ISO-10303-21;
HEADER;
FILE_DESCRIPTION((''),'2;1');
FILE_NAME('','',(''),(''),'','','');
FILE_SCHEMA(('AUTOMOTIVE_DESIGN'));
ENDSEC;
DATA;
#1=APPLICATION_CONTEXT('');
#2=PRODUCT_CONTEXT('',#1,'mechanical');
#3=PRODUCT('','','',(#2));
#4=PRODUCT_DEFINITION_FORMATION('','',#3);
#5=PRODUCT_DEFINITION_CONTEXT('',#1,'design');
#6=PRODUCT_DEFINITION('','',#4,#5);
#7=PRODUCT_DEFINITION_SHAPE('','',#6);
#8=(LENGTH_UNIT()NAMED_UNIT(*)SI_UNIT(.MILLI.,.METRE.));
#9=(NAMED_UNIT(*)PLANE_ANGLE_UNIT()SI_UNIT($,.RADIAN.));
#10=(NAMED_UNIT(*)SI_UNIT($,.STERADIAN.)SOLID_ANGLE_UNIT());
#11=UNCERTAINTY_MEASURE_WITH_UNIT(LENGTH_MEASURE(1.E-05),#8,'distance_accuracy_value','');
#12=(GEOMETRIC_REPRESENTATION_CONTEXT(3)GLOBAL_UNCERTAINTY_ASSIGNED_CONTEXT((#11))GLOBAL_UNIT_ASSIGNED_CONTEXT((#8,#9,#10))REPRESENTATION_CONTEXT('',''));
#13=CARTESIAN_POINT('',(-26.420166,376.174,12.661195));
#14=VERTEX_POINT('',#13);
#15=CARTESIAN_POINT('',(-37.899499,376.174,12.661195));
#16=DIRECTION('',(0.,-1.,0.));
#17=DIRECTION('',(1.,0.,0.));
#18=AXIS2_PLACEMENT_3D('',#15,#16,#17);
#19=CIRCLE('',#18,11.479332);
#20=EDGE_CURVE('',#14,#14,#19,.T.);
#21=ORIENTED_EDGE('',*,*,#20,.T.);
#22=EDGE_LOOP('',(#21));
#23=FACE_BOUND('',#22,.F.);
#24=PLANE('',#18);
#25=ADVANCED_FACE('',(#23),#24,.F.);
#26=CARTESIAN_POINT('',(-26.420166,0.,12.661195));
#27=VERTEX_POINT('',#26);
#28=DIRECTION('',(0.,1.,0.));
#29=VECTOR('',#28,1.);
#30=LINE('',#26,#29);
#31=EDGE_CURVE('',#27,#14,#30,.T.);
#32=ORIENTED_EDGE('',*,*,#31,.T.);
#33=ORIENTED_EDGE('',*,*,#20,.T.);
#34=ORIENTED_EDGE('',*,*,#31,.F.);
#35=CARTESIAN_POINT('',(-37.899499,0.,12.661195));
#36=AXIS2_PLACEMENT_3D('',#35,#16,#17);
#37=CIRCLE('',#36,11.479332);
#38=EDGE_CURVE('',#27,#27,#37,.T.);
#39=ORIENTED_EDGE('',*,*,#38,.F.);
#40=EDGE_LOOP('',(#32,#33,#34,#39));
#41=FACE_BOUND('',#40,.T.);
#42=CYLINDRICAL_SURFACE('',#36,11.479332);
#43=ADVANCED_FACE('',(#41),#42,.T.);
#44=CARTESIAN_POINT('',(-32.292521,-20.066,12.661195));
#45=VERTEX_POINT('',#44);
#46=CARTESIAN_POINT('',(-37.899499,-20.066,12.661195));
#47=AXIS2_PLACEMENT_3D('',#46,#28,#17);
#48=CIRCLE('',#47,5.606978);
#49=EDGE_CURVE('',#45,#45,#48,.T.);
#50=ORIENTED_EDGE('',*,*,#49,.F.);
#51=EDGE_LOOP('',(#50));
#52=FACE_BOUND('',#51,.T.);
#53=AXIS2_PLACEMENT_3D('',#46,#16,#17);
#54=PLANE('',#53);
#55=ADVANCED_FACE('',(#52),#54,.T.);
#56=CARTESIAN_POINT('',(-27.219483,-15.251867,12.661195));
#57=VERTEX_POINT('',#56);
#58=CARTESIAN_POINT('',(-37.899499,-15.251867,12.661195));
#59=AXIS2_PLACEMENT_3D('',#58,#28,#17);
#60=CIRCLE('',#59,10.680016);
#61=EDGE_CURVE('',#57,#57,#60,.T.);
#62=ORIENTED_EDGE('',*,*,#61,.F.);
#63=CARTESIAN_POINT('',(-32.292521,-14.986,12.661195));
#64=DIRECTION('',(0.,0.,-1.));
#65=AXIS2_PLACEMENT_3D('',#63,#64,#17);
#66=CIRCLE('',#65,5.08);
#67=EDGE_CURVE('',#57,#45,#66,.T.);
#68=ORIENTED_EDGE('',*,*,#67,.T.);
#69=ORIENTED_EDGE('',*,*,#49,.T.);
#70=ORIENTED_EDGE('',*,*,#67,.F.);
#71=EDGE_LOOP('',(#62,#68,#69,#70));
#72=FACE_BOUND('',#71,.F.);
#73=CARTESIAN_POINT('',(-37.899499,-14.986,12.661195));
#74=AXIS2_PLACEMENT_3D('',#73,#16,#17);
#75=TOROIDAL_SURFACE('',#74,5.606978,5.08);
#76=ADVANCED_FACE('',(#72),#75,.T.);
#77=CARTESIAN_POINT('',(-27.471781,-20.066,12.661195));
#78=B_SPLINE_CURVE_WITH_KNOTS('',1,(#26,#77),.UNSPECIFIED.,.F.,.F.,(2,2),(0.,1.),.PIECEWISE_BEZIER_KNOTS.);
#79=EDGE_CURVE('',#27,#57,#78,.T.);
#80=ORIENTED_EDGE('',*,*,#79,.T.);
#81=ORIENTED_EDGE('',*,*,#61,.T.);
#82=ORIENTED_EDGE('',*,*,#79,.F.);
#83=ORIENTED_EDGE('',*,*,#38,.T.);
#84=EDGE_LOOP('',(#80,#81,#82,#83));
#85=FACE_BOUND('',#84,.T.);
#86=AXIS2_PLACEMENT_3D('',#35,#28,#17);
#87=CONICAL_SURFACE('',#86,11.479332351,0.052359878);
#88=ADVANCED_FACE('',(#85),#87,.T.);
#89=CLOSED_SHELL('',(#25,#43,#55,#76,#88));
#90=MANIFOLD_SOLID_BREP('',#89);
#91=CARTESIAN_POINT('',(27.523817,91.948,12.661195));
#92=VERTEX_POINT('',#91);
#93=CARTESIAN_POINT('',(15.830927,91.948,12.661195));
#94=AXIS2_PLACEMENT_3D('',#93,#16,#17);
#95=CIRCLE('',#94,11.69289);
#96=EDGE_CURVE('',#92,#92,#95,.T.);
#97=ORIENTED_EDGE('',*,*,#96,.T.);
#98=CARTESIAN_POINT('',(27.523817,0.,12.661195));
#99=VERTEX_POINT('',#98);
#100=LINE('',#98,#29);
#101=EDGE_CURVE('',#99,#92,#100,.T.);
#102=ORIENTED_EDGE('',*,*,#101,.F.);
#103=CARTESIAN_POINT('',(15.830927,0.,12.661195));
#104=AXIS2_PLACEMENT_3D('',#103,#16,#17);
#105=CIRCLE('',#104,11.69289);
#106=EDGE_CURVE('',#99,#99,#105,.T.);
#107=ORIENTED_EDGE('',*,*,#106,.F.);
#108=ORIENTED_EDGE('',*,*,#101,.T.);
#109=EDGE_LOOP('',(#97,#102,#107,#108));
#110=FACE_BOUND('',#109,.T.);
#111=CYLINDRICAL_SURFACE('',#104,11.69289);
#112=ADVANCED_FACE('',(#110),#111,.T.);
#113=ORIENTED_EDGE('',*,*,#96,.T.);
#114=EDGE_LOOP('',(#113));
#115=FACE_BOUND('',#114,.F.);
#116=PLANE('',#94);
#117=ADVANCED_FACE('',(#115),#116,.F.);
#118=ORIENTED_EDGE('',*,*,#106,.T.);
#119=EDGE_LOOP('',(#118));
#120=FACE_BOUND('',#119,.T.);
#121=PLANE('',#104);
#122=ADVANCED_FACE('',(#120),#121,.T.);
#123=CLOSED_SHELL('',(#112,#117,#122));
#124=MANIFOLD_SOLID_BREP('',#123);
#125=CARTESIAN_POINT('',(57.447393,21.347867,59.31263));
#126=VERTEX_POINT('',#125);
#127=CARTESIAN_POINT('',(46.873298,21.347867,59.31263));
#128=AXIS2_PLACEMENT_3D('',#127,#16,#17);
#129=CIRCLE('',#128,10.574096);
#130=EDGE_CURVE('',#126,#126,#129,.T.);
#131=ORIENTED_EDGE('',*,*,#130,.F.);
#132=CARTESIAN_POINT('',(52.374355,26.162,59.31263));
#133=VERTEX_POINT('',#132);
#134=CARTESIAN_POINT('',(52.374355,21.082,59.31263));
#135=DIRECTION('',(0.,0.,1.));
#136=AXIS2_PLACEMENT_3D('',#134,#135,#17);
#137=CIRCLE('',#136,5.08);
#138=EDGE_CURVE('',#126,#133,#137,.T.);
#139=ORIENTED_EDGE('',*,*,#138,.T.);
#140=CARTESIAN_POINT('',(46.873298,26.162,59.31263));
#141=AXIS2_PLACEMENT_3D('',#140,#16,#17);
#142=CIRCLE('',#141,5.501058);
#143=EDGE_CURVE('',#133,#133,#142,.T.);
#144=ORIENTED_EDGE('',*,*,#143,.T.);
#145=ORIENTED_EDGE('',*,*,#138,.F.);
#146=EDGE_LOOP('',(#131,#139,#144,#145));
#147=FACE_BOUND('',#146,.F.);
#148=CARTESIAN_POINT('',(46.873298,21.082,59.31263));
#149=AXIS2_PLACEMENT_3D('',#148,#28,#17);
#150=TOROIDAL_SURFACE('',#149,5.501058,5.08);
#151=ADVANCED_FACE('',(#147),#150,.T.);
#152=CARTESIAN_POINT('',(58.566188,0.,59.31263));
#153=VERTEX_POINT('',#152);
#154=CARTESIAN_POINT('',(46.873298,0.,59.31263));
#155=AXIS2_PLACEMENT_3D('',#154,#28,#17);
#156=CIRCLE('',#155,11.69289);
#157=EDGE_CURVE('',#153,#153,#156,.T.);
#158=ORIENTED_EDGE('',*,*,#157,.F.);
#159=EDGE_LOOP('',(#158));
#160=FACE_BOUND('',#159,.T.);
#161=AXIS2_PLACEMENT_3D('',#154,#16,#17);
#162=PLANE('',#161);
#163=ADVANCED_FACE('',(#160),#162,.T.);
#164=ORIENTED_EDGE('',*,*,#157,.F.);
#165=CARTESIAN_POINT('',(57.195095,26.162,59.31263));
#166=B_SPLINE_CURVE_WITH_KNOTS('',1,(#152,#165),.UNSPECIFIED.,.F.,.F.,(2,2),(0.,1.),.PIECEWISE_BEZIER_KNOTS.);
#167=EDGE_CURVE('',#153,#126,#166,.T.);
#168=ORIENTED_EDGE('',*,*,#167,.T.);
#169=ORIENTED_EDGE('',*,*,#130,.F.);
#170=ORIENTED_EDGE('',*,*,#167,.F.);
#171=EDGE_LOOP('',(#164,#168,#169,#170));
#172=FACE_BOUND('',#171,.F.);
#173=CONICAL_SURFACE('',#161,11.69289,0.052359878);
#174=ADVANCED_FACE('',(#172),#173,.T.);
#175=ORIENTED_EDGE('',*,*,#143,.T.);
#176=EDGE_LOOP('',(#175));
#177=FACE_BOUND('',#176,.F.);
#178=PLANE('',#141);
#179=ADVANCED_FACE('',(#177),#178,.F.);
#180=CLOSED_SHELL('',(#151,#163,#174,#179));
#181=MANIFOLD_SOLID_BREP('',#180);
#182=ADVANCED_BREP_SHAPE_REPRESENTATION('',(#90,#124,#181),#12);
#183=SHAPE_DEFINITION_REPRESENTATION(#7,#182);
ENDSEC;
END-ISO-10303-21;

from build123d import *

# Parameters (mm, degrees)
F0_R     = 11.4793323505
F1_DEPTH = 376.174
F2_R     = 11.4793323505
F3_DEPTH = 20.066
F3_TAPER = 3
F4_R     = 5.08
F0_R_2   = 11.69289
F5_DEPTH = 91.948
F6_R     = 11.69289
F7_DEPTH = 26.162
F7_TAPER = 3
F8_R     = 5.08


with BuildPart() as f1:
    # F0 (on Front) → F1 (new body)
    with BuildSketch(Plane.XZ):
        with Locations((-37.8994987326, 12.6611953601)):
            Circle(F0_R)
    extrude(amount=-F1_DEPTH)

    # F2 (on face) → F3 (join)
    with BuildSketch(Plane.XZ):
        with Locations((-37.8994987326, 12.6611953601)):
            Circle(F2_R)
    extrude(amount=F3_DEPTH, taper=F3_TAPER)

    # F4
    f4_edges = [f1.edges().sort_by_distance(p)[0] for p in [
        (-48.327217, -20.066, 12.661195),
    ]]
    fillet(f4_edges, radius=F4_R)


with BuildPart() as f5:
    # F0 (on Front) → F5 (new body)
    with BuildSketch(Plane.XZ):
        with Locations((15.8309266554, 12.6611953601)):
            Circle(F0_R_2)
    extrude(amount=-F5_DEPTH)


with BuildPart() as f7:
    # F6 (on Front) → F7 (new body)
    with BuildSketch(Plane.XZ):
        with Locations((46.8732975423, 59.3126304448)):
            Circle(F6_R)
    extrude(amount=-F7_DEPTH, taper=F7_TAPER)

    # F8
    f8_edges = [f7.edges().sort_by_distance(p)[0] for p in [
        (36.5515, 26.162, 59.31263),
    ]]
    fillet(f8_edges, radius=F8_R)


solid = Compound([f1.part, f5.part, f7.part])
